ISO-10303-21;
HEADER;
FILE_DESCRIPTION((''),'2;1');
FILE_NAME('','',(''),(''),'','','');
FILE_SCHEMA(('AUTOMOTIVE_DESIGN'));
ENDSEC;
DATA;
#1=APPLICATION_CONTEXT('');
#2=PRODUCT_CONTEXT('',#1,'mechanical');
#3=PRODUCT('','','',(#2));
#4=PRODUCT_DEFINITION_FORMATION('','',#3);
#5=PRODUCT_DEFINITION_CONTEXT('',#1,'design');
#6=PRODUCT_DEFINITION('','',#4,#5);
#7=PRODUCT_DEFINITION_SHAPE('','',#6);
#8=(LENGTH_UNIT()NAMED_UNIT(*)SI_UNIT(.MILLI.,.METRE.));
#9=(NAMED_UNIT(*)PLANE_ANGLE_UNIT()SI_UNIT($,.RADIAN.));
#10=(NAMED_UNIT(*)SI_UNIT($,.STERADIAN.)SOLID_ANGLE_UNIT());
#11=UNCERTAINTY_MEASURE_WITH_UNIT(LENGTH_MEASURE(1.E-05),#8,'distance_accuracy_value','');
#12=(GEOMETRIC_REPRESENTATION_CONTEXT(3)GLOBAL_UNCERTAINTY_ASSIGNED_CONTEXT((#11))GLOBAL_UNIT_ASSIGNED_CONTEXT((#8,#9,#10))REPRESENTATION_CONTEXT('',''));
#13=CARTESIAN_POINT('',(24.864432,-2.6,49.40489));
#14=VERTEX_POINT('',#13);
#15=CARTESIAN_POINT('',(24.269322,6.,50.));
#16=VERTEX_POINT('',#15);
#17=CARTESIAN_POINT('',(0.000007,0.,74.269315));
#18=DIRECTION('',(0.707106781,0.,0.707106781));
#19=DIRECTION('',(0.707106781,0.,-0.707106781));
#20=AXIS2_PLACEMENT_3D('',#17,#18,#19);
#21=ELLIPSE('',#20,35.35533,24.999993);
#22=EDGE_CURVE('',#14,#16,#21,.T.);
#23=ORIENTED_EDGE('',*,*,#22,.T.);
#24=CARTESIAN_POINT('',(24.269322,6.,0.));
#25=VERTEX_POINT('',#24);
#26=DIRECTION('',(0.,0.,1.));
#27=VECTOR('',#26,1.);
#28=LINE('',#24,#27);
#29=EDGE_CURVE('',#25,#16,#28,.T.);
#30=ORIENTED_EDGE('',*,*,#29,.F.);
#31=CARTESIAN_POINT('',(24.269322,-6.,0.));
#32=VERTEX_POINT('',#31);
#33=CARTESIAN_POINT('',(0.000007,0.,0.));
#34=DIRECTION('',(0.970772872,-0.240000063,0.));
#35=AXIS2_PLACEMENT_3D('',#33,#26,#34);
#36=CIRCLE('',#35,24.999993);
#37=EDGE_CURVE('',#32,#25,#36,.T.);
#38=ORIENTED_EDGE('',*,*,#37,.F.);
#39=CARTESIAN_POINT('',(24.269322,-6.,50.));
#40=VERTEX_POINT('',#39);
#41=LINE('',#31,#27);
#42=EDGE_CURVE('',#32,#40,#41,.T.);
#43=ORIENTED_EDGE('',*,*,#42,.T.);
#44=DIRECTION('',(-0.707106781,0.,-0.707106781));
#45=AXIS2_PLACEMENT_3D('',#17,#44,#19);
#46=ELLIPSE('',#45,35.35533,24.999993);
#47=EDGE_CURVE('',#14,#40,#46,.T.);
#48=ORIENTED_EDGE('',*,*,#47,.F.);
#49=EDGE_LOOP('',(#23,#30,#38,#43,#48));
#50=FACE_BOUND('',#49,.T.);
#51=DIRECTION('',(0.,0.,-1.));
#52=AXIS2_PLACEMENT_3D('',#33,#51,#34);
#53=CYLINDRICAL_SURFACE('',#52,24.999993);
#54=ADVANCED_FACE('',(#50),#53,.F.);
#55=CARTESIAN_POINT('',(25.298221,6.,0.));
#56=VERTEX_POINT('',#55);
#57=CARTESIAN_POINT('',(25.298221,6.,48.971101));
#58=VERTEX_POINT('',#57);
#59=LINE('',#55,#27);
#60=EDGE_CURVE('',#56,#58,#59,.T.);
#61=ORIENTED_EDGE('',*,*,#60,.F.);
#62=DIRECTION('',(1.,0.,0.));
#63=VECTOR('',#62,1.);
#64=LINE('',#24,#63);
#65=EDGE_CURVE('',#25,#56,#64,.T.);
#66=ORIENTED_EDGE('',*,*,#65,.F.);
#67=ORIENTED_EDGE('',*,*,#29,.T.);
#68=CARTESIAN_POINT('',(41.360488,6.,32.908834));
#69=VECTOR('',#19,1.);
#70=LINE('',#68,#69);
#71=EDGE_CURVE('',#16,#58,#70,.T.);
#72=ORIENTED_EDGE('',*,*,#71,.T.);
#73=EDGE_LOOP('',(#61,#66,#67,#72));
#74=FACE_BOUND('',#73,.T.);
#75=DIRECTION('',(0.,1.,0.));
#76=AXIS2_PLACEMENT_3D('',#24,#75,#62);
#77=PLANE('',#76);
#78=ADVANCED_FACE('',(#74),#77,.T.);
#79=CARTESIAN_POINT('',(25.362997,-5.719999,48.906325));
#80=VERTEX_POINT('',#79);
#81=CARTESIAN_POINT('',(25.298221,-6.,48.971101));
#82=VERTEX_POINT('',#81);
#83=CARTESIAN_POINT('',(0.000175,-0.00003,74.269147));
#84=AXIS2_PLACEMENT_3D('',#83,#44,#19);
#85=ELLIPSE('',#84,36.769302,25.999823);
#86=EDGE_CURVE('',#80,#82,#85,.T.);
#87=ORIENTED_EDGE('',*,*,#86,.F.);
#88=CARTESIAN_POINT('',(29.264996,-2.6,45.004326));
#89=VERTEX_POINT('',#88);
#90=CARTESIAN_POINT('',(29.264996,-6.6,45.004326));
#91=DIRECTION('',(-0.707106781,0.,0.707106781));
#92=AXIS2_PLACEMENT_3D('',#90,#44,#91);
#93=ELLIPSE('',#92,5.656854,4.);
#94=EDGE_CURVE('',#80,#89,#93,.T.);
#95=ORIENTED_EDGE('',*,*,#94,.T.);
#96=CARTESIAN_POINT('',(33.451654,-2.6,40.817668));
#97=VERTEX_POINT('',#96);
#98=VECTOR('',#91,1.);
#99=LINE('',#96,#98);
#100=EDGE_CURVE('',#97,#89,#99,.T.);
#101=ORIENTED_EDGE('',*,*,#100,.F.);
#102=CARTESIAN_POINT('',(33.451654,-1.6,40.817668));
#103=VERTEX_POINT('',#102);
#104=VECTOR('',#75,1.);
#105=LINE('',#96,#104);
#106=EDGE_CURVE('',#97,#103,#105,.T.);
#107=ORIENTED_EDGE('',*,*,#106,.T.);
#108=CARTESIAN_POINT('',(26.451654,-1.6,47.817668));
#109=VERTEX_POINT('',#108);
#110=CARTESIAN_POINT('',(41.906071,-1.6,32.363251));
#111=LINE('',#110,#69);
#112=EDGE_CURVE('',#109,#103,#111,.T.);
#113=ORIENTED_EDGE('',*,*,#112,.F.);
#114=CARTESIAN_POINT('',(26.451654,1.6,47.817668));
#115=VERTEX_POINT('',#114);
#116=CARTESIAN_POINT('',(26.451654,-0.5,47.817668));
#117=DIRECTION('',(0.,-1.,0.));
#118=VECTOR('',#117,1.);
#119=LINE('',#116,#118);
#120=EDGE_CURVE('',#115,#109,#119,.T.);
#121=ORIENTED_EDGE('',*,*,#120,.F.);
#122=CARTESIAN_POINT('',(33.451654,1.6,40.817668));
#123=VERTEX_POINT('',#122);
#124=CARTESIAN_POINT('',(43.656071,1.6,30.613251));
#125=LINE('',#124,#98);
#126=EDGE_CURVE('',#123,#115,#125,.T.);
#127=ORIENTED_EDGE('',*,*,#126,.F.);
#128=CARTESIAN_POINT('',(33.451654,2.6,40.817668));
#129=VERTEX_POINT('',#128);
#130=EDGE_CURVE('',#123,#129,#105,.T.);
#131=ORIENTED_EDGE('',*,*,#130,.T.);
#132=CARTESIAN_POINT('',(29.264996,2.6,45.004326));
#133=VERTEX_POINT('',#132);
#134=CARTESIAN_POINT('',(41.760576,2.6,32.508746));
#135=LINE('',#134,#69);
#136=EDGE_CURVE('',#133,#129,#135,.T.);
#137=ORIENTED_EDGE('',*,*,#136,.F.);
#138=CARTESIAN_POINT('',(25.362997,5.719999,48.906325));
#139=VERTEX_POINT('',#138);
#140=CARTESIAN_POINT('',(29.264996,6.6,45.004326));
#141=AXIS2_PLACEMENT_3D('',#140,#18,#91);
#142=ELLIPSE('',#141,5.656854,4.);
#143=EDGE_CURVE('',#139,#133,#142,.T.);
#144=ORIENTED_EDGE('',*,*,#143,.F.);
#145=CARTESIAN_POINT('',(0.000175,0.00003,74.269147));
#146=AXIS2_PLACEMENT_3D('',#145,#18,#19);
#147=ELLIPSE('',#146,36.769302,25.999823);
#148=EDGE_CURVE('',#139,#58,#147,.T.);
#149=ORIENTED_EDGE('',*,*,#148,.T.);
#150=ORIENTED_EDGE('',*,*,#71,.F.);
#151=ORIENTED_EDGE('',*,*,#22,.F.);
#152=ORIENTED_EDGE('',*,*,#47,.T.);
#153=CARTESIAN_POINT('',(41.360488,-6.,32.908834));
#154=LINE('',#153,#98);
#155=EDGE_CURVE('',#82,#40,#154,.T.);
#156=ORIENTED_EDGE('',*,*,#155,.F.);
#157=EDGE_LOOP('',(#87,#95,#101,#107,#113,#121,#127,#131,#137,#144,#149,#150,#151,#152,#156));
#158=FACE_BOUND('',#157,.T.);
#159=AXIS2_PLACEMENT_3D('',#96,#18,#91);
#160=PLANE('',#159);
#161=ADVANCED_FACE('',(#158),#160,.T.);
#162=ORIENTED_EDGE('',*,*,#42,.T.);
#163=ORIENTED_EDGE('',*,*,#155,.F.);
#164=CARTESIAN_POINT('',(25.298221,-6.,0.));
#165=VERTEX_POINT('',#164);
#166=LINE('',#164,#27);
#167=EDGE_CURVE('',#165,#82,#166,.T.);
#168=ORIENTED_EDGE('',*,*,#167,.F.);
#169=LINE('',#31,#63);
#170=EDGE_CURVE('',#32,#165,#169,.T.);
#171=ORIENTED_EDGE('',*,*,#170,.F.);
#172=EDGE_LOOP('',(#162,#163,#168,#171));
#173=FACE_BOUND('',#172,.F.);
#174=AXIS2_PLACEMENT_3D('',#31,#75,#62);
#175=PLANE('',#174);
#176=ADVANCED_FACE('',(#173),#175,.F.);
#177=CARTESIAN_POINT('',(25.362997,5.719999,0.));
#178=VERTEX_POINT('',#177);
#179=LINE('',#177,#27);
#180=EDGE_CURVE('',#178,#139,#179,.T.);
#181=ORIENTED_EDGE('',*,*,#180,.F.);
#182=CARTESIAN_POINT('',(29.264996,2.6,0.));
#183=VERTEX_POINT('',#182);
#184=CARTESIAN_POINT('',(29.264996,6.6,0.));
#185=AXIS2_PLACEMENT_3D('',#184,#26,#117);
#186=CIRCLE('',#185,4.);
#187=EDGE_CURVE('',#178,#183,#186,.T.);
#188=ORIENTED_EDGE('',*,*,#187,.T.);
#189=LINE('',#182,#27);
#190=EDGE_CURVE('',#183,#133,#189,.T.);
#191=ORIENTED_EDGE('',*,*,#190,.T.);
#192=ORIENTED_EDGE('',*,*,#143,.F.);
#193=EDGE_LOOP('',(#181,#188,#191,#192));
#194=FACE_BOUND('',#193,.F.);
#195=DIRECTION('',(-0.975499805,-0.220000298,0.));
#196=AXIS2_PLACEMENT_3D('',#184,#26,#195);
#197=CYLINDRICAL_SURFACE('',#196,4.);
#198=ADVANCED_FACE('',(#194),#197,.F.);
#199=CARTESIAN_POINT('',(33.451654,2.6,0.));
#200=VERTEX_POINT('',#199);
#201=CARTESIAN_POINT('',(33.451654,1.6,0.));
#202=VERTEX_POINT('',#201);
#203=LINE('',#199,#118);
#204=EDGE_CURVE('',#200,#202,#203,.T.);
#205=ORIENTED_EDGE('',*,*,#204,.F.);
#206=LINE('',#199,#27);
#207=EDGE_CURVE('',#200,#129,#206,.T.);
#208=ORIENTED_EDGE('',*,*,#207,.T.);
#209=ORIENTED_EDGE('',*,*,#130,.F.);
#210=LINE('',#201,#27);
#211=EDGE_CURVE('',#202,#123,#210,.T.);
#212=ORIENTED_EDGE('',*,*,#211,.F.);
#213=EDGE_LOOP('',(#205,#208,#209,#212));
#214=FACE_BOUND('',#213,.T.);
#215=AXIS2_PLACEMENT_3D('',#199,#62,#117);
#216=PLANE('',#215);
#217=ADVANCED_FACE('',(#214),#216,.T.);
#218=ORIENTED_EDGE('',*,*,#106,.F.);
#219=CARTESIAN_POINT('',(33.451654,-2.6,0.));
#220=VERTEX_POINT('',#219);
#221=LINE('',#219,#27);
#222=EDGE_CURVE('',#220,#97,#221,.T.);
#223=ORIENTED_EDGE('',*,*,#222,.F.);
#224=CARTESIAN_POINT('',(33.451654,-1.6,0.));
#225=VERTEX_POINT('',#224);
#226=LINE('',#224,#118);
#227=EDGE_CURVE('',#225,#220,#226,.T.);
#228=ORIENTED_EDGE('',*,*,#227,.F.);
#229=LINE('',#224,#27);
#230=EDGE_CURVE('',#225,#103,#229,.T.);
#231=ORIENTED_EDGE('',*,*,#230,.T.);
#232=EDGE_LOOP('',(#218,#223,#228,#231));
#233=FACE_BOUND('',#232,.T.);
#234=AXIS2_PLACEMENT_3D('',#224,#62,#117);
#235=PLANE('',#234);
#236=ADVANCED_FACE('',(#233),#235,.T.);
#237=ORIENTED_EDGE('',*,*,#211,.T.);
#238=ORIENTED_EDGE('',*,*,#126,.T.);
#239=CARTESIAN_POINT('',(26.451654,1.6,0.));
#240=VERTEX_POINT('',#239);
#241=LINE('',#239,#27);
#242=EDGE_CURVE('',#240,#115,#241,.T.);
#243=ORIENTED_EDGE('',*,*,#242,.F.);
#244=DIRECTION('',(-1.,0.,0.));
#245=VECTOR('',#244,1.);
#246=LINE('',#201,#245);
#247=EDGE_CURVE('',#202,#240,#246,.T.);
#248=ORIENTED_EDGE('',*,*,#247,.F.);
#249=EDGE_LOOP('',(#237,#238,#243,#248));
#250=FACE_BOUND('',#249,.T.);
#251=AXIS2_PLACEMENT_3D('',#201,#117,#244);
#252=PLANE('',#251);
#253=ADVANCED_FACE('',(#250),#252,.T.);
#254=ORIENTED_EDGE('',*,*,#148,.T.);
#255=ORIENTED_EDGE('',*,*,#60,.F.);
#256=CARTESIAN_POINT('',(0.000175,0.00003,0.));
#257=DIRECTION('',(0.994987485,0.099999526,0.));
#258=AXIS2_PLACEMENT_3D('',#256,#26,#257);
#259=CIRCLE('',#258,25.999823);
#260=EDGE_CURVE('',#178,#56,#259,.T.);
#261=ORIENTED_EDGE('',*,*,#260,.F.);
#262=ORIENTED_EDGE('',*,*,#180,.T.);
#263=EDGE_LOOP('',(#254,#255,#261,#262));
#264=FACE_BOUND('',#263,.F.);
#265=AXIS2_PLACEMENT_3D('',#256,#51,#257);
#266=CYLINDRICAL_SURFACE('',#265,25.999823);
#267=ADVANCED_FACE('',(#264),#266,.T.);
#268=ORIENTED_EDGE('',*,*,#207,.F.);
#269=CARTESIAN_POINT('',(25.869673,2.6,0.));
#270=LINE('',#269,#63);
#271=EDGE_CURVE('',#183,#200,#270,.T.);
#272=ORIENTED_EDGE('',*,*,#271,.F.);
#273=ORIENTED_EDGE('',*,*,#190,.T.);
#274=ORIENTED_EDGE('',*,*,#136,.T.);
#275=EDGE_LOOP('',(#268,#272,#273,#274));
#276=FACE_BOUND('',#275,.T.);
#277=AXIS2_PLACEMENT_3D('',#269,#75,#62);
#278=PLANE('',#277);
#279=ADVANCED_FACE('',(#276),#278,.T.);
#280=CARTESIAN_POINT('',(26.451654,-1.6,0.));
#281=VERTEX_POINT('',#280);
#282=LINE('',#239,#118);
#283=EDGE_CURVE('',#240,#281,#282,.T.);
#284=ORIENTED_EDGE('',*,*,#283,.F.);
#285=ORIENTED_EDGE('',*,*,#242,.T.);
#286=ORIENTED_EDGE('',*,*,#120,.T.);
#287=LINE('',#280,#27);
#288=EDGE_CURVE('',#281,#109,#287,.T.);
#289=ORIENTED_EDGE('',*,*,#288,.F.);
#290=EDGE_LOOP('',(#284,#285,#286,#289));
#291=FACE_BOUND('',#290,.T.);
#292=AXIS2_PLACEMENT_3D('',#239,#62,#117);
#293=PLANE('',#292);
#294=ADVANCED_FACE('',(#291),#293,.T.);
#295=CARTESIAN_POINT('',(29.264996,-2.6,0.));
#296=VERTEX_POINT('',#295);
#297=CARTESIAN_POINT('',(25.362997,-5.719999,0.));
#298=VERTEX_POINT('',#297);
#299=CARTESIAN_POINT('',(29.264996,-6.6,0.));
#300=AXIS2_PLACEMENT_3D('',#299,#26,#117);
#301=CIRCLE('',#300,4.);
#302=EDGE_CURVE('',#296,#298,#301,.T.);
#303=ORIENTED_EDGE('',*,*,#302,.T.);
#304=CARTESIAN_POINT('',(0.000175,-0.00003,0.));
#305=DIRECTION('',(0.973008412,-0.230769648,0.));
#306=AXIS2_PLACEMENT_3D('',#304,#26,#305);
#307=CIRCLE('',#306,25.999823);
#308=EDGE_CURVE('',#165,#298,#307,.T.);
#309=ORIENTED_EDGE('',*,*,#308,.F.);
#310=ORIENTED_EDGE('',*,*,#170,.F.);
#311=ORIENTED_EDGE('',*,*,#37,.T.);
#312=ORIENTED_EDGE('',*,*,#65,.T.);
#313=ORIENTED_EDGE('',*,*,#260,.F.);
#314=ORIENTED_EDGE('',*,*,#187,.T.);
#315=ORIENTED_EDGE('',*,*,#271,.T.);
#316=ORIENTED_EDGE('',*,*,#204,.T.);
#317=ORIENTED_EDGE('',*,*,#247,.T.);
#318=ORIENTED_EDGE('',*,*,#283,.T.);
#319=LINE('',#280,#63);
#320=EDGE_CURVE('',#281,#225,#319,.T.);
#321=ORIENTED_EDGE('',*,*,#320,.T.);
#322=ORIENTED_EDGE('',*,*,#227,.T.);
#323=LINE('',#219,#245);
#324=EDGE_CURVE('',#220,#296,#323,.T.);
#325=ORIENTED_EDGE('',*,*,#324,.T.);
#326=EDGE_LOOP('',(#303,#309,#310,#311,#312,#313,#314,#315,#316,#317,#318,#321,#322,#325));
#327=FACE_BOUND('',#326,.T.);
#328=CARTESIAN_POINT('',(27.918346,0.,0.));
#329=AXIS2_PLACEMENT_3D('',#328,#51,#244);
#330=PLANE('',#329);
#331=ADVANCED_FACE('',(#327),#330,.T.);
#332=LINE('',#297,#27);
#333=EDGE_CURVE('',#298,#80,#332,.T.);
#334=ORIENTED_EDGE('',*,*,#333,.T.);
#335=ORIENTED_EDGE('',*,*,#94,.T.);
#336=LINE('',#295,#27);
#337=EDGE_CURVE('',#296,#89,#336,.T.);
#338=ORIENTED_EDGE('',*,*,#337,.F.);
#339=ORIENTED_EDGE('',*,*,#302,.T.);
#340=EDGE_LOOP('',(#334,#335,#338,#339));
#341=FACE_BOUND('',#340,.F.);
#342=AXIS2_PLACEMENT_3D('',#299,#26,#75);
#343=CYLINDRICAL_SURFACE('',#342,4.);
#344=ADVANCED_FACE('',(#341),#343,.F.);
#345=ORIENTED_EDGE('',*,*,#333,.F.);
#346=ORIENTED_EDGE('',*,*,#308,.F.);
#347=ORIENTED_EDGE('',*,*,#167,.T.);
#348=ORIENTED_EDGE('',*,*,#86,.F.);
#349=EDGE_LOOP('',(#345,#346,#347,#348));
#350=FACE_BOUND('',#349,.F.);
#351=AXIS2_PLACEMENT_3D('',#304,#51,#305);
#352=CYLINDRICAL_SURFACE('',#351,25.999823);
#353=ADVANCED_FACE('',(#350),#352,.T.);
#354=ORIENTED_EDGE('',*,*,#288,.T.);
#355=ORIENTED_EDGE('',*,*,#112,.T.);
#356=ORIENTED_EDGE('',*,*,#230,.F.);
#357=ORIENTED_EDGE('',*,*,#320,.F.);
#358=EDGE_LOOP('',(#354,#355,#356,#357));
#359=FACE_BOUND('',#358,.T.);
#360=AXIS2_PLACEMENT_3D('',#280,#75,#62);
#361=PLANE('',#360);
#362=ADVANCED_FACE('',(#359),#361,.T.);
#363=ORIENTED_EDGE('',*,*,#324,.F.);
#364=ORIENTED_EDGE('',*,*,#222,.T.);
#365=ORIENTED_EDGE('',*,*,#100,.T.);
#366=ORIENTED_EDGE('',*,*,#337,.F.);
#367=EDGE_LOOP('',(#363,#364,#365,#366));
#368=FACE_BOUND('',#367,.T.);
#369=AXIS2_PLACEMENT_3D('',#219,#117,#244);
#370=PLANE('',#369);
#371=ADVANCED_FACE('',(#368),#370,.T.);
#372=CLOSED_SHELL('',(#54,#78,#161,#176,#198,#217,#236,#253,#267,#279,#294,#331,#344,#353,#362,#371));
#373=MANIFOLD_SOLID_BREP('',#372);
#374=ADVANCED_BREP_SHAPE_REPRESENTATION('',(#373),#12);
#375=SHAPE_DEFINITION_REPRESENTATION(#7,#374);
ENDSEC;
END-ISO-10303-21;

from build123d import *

# Parameters (mm, degrees)
PAD001_DEPTH      = 50
FILLET_R          = 4
POCKET_DEPTH      = 8.601
POCKET_DEPTH_BACK = 3.401


with BuildPart() as part:
    # Sketch002 → Pad001 (new body)
    with BuildSketch(Plane.XY):
        with BuildLine():
            ThreePointArc((24.269322, -6), (25, 0), (24.269322, 6))
            Line((24.269322, 6), (25.298221, 6))
            ThreePointArc((25.869673, 2.6), (25.640366, 4.309482), (25.298221, 6))
            Line((25.869673, 2.6), (33.451654, 2.6))
            Line((33.451654, 2.6), (33.451654, 1.6))
            Line((33.451654, 1.6), (26.451654, 1.6))
            Line((26.451654, 1.6), (26.451654, -1.6))
            Line((26.451654, -1.6), (33.451654, -1.6))
            Line((33.451654, -1.6), (33.451654, -2.6))
            Line((33.451654, -2.6), (25.869673, -2.6))
            ThreePointArc((25.298221, -6), (25.640366, -4.309482), (25.869673, -2.6))
            Line((24.269322, -6), (25.298221, -6))
        make_face()
    extrude(amount=PAD001_DEPTH)

    # Fillet
    fillet_edges = [part.edges().sort_by_distance(p)[0] for p in [
        (25.869673, -2.6, 25),
        (25.869673, 2.6, 25),
    ]]
    fillet(fillet_edges, radius=FILLET_R)

    # Sketch003 (on Face15 of Fillet) → Pocket (cut, two sides)
    with BuildSketch(Plane.XZ.offset(2.6)) as pocket_sk:
        Polygon((33.451654, 50), (33.451654, 40.817668), (24.269322, 50), align=None)
    extrude(amount=-POCKET_DEPTH, mode=Mode.SUBTRACT)
    extrude(pocket_sk.sketch, amount=POCKET_DEPTH_BACK, mode=Mode.SUBTRACT)


solid = part.part
